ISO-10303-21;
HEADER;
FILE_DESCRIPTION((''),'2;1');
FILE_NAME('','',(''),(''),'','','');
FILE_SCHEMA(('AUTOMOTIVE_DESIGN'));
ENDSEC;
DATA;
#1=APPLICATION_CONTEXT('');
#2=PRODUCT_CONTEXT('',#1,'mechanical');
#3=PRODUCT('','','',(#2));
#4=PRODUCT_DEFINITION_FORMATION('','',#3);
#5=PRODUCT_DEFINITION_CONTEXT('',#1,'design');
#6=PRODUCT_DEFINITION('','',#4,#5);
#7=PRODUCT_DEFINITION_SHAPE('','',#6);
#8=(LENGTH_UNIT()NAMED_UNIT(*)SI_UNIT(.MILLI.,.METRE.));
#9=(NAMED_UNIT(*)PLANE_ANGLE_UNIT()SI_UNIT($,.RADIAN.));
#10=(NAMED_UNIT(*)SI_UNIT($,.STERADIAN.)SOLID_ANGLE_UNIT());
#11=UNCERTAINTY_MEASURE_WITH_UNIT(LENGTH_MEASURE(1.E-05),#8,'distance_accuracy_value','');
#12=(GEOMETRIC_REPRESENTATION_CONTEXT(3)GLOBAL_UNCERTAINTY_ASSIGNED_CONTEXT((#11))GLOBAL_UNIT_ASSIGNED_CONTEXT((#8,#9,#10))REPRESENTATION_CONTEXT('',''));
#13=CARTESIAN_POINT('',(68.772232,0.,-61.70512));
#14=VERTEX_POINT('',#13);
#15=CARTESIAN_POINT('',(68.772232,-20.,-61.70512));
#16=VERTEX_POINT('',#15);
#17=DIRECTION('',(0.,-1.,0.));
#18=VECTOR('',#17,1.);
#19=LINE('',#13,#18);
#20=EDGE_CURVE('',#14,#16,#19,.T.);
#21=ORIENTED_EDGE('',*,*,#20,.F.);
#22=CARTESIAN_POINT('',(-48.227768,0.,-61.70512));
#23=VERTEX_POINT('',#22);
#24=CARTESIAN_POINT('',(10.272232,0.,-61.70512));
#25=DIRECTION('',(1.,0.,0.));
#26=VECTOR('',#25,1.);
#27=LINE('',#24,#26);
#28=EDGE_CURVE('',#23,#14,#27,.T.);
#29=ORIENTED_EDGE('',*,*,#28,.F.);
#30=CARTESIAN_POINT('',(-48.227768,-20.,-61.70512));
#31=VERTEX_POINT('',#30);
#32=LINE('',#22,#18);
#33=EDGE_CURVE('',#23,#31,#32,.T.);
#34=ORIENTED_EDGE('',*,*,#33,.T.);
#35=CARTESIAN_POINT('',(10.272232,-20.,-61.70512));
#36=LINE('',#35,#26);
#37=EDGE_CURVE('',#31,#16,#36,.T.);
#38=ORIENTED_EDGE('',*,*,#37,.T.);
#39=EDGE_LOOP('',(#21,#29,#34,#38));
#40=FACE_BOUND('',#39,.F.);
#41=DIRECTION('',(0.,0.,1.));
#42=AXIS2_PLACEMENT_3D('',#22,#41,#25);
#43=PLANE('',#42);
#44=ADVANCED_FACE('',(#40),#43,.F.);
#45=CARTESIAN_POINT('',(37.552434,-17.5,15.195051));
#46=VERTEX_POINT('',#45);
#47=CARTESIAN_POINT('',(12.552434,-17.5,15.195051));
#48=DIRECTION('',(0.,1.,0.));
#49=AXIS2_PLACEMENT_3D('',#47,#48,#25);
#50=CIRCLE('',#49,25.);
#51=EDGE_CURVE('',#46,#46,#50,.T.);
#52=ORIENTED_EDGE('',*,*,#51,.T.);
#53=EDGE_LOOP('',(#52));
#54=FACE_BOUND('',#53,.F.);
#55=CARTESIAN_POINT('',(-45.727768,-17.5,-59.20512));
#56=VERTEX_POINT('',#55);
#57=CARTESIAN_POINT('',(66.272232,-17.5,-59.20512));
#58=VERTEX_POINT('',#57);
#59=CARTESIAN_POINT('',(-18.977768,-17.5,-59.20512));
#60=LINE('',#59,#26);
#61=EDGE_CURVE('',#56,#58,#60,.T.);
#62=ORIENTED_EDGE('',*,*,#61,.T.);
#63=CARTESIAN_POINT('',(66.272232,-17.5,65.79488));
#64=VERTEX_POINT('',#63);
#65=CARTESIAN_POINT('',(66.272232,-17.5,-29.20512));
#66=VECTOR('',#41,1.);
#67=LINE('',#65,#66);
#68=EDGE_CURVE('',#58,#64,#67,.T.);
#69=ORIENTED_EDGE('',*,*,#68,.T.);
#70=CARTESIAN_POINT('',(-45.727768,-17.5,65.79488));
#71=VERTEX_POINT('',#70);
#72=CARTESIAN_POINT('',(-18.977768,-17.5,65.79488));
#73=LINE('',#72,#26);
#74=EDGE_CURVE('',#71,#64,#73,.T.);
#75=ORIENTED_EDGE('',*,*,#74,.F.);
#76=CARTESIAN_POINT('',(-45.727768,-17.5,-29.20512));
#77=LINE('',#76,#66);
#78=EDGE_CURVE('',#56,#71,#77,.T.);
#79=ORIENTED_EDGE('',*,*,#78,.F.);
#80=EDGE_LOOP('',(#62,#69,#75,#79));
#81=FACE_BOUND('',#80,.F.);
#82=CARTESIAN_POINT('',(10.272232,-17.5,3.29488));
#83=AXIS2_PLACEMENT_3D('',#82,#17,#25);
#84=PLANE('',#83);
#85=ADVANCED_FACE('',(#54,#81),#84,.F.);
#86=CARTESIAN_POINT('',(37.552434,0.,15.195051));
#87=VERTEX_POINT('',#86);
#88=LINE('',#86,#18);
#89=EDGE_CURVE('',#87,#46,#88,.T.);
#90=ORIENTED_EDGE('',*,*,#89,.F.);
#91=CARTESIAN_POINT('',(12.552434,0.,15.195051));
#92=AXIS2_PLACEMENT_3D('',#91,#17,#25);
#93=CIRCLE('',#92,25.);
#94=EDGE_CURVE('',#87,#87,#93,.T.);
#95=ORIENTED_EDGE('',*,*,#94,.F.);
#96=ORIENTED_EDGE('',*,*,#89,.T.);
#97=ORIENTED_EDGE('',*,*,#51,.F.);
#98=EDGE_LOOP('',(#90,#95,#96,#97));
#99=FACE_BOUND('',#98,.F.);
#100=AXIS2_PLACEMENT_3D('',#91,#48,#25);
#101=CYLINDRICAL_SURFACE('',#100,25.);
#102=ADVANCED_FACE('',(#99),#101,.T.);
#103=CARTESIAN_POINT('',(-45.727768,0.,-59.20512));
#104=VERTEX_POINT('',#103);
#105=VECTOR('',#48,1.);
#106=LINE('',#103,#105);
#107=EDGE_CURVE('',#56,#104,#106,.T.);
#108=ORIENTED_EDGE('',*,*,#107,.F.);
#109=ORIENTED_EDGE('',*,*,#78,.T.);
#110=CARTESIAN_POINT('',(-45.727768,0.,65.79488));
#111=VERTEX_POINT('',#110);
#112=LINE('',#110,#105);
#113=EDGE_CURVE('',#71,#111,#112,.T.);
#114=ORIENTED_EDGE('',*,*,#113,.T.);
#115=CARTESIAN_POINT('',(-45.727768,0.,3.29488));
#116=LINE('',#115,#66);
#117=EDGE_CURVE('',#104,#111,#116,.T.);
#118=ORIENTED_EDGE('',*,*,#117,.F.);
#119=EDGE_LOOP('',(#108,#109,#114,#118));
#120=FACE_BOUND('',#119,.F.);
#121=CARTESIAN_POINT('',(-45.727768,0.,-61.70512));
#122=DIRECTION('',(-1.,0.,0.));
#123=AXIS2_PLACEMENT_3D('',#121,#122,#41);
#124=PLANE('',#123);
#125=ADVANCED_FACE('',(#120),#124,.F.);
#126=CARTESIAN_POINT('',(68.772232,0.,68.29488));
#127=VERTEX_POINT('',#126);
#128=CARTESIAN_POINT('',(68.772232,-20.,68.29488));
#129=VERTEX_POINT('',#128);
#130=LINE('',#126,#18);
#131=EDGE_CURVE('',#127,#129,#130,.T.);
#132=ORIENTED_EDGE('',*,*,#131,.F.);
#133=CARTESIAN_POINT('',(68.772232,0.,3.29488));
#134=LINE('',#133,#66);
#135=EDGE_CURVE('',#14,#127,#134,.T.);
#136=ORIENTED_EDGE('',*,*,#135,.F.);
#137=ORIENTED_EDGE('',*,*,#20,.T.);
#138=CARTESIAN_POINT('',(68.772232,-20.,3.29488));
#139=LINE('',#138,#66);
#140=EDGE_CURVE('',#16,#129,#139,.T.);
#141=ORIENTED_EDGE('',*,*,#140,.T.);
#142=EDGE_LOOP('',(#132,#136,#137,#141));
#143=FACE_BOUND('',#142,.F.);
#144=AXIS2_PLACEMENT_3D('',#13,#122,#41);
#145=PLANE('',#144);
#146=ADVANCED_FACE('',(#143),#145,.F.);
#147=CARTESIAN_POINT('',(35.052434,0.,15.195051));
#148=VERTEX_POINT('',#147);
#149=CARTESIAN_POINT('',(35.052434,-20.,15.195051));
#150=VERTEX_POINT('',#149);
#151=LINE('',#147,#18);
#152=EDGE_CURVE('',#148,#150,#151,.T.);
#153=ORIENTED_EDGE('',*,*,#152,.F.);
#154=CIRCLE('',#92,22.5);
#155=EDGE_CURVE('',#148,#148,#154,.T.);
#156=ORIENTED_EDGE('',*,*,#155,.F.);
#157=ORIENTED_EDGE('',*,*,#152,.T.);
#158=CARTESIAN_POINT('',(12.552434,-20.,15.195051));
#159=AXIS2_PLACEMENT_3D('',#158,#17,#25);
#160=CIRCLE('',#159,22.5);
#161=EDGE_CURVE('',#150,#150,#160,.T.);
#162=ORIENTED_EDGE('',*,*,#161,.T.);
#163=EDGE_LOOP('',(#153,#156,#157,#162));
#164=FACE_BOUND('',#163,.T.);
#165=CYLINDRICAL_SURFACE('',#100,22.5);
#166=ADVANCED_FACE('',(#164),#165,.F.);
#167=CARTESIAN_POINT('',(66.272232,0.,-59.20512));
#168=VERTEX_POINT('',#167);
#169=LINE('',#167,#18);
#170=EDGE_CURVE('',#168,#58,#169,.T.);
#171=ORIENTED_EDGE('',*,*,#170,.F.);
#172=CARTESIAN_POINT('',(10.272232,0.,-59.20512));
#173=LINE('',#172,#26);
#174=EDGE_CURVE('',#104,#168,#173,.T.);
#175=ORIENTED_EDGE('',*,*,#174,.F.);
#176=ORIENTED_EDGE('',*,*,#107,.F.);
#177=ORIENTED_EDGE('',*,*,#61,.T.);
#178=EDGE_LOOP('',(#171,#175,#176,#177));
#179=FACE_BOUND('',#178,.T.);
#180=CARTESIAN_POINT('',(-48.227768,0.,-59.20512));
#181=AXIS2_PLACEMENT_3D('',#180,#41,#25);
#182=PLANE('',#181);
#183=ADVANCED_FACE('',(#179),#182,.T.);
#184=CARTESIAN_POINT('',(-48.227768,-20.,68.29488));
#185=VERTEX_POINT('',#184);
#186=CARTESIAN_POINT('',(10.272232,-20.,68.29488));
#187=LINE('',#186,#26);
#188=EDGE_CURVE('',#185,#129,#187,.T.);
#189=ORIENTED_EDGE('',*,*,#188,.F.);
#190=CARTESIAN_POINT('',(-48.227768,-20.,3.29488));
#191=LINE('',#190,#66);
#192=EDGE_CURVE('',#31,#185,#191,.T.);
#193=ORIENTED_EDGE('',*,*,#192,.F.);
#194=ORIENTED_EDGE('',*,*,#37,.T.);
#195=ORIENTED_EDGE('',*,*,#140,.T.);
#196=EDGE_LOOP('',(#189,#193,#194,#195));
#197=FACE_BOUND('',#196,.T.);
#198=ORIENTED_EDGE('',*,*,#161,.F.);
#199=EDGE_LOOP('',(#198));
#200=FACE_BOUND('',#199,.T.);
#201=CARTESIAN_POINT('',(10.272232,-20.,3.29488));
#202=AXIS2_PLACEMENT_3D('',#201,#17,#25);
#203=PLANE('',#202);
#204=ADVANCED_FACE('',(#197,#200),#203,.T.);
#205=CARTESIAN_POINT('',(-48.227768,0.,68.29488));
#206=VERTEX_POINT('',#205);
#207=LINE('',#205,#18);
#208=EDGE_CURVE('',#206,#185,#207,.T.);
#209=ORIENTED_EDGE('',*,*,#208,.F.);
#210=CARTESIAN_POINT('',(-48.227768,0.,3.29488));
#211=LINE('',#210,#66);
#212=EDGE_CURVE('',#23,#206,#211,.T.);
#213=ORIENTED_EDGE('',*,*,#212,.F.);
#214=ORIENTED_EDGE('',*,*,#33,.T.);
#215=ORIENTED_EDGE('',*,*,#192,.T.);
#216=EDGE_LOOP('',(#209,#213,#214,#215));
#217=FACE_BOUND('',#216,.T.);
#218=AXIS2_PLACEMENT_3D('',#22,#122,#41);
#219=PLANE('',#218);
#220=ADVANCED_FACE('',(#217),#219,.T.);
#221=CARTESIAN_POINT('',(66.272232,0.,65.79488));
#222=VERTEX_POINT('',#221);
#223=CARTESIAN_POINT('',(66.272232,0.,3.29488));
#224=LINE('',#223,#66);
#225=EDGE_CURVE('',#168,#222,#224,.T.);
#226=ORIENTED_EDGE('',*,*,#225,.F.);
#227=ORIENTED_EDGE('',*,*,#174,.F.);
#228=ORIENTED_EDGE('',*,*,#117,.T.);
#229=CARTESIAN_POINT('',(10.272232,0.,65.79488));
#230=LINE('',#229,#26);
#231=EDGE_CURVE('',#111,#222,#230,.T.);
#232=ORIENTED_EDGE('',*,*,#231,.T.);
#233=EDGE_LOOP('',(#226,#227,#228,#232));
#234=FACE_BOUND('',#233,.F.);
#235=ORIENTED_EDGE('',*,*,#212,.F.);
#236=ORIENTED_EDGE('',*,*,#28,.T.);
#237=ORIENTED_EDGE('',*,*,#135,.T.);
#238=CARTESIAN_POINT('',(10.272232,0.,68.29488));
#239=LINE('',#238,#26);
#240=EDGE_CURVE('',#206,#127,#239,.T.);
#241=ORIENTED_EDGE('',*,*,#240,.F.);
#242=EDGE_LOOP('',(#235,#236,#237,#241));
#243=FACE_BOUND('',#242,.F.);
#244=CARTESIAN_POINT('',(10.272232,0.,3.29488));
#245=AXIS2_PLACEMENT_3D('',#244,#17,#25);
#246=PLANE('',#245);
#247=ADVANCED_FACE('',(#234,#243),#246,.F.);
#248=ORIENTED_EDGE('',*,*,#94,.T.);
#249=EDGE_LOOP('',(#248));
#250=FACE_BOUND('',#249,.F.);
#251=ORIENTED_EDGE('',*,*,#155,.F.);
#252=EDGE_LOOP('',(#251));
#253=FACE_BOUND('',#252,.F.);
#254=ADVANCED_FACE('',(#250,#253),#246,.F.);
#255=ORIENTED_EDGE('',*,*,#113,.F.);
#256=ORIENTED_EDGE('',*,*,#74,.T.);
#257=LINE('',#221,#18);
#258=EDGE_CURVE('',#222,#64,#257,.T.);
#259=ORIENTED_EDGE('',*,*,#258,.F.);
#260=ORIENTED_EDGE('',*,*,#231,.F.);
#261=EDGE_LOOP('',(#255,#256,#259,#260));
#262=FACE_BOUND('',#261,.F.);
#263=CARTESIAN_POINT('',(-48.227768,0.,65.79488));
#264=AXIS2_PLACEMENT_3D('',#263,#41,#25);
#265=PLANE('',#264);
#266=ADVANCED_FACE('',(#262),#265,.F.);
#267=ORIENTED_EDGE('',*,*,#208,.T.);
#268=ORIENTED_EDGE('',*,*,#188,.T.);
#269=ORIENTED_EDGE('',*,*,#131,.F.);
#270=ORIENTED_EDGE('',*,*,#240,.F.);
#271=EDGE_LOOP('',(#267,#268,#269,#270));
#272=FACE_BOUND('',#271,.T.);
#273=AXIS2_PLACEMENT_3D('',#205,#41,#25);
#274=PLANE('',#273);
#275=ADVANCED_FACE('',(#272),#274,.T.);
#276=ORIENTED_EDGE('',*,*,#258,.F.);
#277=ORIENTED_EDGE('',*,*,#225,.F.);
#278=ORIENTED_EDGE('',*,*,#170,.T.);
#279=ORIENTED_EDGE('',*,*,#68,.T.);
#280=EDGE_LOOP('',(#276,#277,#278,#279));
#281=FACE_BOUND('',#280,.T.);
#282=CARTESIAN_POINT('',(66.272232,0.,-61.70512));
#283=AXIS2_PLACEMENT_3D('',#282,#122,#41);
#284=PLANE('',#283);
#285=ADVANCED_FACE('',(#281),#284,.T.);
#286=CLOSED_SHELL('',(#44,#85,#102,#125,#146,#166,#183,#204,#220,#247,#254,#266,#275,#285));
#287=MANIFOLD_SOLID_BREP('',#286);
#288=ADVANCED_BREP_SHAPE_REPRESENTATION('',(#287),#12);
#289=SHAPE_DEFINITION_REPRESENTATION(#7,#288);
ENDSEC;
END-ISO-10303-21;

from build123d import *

# Parameters (mm, degrees)
F0_W     = 117
F0_H     = 130
F0_R     = 22.5
F1_DEPTH = 20
F2_T     = -2.5


with BuildPart() as f1:
    # F0 (on Front) → F1 (new body)
    with BuildSketch(Plane.XZ):
        with Locations((10.272232, 3.29488)):
            Rectangle(F0_W, F0_H)
        with Locations((12.552434, 15.195051)):
            Circle(F0_R, mode=Mode.SUBTRACT)
    extrude(amount=F1_DEPTH)

    # F2
    f2_openings = [f1.faces().sort_by_distance(p)[0] for p in [
        (67.02326, 0, 3.29488),
    ]]
    offset(amount=F2_T, openings=f2_openings)


solid = f1.part
